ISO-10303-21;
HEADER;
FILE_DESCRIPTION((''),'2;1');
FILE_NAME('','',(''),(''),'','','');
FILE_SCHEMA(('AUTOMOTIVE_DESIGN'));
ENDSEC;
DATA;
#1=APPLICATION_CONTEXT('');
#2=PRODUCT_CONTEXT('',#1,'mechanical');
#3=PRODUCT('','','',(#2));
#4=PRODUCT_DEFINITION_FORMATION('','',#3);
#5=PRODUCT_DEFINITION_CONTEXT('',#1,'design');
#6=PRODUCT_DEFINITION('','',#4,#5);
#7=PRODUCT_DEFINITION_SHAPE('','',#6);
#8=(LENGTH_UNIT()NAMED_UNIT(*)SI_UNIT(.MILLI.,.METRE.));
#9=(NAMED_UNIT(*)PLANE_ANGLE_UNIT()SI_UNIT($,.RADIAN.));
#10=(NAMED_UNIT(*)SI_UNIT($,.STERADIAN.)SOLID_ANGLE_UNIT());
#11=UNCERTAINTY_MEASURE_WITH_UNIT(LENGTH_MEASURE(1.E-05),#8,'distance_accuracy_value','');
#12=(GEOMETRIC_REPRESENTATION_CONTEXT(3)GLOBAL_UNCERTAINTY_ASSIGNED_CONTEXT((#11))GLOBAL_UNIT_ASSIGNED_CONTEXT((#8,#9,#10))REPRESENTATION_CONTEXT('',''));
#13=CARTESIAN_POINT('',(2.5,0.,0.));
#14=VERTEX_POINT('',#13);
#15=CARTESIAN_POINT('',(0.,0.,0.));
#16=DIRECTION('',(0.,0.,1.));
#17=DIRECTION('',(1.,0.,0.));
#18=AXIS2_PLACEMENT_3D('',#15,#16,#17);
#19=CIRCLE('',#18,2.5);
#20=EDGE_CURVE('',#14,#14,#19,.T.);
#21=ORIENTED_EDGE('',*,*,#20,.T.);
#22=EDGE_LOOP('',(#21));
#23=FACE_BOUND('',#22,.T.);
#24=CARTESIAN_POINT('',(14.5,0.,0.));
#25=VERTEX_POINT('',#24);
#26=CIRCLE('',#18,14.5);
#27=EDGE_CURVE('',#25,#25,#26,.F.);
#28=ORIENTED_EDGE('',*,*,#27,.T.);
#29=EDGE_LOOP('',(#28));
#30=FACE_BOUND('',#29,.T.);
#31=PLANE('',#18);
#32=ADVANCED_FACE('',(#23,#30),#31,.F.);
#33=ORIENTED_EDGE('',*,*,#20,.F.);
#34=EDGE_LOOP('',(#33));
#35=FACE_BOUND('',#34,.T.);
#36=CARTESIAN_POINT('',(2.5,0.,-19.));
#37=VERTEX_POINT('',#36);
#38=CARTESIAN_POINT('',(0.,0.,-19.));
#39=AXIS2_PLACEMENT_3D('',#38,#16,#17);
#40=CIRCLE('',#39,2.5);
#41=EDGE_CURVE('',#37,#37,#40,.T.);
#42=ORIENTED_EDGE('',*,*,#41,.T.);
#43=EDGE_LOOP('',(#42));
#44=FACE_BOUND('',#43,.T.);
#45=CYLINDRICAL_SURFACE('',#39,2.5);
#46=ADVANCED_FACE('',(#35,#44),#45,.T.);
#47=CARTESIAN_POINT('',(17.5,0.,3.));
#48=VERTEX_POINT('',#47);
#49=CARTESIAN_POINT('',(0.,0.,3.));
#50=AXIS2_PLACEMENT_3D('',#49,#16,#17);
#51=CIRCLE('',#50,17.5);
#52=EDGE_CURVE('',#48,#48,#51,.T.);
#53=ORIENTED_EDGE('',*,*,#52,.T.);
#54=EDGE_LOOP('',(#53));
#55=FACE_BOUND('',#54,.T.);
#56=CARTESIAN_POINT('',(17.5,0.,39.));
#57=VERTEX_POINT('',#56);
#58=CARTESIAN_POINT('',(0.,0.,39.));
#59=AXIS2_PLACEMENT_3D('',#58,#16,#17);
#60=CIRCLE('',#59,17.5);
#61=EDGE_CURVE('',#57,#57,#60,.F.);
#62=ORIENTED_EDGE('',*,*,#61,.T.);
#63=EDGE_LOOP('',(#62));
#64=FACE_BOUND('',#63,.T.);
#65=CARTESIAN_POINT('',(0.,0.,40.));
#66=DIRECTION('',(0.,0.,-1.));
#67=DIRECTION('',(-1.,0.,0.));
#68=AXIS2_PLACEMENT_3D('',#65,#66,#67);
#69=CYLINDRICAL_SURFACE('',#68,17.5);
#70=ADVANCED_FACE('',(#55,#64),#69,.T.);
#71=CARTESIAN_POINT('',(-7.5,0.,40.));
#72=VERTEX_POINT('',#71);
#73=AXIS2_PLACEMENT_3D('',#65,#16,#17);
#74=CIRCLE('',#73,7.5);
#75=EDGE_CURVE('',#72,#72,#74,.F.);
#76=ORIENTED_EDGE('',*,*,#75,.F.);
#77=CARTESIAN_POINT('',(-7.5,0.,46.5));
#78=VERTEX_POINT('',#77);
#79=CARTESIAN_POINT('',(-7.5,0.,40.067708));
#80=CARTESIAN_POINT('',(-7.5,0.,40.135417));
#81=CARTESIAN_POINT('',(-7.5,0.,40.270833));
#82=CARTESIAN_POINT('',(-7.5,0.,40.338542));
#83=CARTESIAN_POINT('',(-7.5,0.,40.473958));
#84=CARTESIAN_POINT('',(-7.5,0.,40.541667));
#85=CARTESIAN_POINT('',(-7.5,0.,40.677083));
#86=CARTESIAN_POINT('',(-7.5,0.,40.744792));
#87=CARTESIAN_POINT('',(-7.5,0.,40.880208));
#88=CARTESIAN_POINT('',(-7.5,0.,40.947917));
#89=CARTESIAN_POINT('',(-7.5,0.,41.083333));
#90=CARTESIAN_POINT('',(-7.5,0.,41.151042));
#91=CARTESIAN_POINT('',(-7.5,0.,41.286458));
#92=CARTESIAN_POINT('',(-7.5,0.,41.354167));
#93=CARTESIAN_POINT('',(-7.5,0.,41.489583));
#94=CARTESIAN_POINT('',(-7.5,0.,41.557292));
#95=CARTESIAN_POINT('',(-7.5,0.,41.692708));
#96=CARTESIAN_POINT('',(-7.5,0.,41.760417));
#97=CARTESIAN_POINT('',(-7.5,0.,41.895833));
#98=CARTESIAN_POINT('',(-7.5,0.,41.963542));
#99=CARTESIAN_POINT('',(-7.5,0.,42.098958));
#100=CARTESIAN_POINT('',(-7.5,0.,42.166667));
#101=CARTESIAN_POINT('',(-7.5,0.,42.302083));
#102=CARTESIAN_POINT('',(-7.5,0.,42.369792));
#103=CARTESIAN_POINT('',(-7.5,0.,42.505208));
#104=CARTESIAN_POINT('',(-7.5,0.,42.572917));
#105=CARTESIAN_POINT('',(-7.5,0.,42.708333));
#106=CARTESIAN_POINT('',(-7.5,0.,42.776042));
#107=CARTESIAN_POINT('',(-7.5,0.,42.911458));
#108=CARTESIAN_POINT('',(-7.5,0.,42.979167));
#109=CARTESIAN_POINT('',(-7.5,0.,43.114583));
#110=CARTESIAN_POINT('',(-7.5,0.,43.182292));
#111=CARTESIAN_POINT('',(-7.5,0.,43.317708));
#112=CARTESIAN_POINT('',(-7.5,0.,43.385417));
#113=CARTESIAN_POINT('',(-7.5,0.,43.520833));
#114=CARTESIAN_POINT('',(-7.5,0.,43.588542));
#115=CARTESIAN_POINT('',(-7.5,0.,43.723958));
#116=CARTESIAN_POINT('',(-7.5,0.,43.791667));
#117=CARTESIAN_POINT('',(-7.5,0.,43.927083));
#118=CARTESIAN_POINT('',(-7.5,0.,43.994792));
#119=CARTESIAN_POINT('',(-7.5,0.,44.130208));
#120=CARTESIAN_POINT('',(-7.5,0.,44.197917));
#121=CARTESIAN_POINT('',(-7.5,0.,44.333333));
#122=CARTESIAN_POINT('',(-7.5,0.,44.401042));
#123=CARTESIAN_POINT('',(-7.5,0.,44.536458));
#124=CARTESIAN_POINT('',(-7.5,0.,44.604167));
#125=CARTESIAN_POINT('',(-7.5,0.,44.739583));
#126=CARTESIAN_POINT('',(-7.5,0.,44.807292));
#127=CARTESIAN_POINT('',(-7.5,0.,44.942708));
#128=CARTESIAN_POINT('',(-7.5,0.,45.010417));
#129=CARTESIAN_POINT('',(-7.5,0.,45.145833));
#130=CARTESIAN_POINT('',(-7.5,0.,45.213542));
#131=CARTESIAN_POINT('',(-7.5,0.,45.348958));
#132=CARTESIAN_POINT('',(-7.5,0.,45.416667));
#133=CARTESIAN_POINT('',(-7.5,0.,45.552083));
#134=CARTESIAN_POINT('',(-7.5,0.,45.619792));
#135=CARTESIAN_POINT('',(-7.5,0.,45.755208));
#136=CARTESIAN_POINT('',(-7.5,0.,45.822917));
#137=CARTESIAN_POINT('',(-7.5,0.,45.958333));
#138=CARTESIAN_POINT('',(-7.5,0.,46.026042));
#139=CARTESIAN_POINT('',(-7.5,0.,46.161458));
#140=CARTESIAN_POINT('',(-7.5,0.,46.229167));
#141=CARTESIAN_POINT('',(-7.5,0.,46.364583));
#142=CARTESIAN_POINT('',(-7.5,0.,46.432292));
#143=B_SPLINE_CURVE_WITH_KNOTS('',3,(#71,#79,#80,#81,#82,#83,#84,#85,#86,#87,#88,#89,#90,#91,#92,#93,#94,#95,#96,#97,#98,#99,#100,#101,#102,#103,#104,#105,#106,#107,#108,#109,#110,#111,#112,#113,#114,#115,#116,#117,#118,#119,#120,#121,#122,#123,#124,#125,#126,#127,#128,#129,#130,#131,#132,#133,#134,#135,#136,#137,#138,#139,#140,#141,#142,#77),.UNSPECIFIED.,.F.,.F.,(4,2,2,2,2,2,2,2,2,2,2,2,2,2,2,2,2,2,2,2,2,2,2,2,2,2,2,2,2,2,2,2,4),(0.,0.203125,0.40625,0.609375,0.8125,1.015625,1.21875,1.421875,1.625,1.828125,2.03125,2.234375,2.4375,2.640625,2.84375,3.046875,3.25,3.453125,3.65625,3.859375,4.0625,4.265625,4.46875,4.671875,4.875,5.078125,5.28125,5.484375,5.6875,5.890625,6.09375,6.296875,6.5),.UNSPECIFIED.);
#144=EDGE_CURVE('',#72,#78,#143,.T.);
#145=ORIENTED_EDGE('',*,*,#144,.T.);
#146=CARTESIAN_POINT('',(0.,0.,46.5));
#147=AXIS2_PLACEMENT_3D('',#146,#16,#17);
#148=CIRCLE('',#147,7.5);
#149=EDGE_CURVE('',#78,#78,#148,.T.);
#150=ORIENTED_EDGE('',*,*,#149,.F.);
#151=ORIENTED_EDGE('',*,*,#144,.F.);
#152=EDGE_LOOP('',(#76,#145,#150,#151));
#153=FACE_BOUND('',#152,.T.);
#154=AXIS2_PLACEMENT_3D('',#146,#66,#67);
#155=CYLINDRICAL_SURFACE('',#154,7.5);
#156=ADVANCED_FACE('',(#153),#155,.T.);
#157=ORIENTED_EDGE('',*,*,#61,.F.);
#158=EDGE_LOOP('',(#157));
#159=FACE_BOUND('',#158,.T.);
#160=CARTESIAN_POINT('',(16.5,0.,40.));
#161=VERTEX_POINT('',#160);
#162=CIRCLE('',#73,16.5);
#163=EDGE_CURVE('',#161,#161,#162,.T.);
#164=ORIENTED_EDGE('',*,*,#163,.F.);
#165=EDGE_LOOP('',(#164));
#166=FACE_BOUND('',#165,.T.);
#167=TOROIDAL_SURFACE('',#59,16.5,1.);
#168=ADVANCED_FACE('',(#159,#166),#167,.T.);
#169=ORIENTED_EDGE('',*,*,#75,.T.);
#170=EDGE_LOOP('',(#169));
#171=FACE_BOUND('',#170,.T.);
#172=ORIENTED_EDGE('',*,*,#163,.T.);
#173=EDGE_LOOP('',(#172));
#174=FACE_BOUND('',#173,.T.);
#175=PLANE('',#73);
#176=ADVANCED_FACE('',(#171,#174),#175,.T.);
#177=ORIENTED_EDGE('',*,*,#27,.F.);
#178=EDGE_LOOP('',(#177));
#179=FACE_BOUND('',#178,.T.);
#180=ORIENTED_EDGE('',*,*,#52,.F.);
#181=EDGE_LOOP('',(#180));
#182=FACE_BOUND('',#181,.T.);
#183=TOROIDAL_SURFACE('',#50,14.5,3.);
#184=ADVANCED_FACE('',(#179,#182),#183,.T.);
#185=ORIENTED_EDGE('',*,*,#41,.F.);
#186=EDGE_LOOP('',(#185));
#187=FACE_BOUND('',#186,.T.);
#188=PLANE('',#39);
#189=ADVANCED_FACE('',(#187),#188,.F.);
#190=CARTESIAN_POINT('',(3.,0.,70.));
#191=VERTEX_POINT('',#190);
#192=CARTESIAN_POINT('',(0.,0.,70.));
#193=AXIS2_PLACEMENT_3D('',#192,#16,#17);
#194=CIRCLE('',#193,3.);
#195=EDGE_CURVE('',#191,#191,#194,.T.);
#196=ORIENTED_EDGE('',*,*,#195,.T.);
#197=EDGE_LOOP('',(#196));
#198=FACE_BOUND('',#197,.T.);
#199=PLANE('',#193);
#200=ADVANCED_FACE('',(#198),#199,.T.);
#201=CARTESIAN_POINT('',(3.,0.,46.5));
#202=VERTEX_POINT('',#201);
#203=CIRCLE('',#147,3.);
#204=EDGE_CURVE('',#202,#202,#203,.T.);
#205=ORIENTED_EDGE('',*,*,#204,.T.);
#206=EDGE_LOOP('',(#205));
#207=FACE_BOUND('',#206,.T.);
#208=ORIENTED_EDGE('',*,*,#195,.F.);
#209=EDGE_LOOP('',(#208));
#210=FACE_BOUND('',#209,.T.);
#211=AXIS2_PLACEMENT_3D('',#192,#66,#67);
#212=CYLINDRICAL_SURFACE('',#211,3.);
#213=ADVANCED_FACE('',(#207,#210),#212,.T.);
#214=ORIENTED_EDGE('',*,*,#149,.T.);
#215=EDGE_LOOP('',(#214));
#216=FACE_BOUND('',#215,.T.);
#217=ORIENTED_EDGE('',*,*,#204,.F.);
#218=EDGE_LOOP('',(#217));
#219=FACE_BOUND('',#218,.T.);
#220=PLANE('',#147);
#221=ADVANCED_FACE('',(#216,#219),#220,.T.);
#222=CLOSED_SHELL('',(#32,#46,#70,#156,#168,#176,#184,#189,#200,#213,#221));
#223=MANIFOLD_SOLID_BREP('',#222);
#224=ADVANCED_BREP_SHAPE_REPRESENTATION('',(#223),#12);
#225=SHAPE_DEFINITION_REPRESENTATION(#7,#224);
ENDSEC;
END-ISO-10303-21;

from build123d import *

# Parameters (mm, degrees)
SKETCH1_R           = 17.5
BOSS_EXTRUDE2_DEPTH = 40
SKETCH1_3_R         = 2.5
BOSS_EXTRUDE3_DEPTH = 19
SKETCH1_4_R         = 5.5
BOSS_EXTRUDE4_DEPTH = 42
SKETCH1_5_R         = 3
BOSS_EXTRUDE5_DEPTH = 70
SKETCH1_6_R         = 7.5
BOSS_EXTRUDE6_DEPTH = 46.5
FILLET1_R           = 1
FILLET2_R           = 3


with BuildPart() as part:
    # Sketch1 → Boss-Extrude2 (new body)
    with BuildSketch(Plane.XY):
        Circle(SKETCH1_R)
    extrude(amount=BOSS_EXTRUDE2_DEPTH)

    # Sketch1<3> → Boss-Extrude3 (add)
    with BuildSketch(Plane.XY):
        Circle(SKETCH1_3_R)
    extrude(amount=-BOSS_EXTRUDE3_DEPTH)

    # Sketch1<4> → Boss-Extrude4 (add)
    with BuildSketch(Plane.XY):
        Circle(SKETCH1_4_R)
    extrude(amount=BOSS_EXTRUDE4_DEPTH)

    # Sketch1<5> → Boss-Extrude5 (add)
    with BuildSketch(Plane.XY):
        Circle(SKETCH1_5_R)
    extrude(amount=BOSS_EXTRUDE5_DEPTH)

    # Sketch1<6> → Boss-Extrude6 (add)
    with BuildSketch(Plane.XY):
        Circle(SKETCH1_6_R)
    extrude(amount=BOSS_EXTRUDE6_DEPTH)

    # Fillet1
    fillet1_edges = [part.edges().sort_by_distance(p)[0] for p in [
        (-17.5, 0, 40),
    ]]
    fillet(fillet1_edges, radius=FILLET1_R)

    # Fillet2
    fillet2_edges = [part.edges().sort_by_distance(p)[0] for p in [
        (-17.5, 0, 0),
    ]]
    fillet(fillet2_edges, radius=FILLET2_R)


solid = part.part
